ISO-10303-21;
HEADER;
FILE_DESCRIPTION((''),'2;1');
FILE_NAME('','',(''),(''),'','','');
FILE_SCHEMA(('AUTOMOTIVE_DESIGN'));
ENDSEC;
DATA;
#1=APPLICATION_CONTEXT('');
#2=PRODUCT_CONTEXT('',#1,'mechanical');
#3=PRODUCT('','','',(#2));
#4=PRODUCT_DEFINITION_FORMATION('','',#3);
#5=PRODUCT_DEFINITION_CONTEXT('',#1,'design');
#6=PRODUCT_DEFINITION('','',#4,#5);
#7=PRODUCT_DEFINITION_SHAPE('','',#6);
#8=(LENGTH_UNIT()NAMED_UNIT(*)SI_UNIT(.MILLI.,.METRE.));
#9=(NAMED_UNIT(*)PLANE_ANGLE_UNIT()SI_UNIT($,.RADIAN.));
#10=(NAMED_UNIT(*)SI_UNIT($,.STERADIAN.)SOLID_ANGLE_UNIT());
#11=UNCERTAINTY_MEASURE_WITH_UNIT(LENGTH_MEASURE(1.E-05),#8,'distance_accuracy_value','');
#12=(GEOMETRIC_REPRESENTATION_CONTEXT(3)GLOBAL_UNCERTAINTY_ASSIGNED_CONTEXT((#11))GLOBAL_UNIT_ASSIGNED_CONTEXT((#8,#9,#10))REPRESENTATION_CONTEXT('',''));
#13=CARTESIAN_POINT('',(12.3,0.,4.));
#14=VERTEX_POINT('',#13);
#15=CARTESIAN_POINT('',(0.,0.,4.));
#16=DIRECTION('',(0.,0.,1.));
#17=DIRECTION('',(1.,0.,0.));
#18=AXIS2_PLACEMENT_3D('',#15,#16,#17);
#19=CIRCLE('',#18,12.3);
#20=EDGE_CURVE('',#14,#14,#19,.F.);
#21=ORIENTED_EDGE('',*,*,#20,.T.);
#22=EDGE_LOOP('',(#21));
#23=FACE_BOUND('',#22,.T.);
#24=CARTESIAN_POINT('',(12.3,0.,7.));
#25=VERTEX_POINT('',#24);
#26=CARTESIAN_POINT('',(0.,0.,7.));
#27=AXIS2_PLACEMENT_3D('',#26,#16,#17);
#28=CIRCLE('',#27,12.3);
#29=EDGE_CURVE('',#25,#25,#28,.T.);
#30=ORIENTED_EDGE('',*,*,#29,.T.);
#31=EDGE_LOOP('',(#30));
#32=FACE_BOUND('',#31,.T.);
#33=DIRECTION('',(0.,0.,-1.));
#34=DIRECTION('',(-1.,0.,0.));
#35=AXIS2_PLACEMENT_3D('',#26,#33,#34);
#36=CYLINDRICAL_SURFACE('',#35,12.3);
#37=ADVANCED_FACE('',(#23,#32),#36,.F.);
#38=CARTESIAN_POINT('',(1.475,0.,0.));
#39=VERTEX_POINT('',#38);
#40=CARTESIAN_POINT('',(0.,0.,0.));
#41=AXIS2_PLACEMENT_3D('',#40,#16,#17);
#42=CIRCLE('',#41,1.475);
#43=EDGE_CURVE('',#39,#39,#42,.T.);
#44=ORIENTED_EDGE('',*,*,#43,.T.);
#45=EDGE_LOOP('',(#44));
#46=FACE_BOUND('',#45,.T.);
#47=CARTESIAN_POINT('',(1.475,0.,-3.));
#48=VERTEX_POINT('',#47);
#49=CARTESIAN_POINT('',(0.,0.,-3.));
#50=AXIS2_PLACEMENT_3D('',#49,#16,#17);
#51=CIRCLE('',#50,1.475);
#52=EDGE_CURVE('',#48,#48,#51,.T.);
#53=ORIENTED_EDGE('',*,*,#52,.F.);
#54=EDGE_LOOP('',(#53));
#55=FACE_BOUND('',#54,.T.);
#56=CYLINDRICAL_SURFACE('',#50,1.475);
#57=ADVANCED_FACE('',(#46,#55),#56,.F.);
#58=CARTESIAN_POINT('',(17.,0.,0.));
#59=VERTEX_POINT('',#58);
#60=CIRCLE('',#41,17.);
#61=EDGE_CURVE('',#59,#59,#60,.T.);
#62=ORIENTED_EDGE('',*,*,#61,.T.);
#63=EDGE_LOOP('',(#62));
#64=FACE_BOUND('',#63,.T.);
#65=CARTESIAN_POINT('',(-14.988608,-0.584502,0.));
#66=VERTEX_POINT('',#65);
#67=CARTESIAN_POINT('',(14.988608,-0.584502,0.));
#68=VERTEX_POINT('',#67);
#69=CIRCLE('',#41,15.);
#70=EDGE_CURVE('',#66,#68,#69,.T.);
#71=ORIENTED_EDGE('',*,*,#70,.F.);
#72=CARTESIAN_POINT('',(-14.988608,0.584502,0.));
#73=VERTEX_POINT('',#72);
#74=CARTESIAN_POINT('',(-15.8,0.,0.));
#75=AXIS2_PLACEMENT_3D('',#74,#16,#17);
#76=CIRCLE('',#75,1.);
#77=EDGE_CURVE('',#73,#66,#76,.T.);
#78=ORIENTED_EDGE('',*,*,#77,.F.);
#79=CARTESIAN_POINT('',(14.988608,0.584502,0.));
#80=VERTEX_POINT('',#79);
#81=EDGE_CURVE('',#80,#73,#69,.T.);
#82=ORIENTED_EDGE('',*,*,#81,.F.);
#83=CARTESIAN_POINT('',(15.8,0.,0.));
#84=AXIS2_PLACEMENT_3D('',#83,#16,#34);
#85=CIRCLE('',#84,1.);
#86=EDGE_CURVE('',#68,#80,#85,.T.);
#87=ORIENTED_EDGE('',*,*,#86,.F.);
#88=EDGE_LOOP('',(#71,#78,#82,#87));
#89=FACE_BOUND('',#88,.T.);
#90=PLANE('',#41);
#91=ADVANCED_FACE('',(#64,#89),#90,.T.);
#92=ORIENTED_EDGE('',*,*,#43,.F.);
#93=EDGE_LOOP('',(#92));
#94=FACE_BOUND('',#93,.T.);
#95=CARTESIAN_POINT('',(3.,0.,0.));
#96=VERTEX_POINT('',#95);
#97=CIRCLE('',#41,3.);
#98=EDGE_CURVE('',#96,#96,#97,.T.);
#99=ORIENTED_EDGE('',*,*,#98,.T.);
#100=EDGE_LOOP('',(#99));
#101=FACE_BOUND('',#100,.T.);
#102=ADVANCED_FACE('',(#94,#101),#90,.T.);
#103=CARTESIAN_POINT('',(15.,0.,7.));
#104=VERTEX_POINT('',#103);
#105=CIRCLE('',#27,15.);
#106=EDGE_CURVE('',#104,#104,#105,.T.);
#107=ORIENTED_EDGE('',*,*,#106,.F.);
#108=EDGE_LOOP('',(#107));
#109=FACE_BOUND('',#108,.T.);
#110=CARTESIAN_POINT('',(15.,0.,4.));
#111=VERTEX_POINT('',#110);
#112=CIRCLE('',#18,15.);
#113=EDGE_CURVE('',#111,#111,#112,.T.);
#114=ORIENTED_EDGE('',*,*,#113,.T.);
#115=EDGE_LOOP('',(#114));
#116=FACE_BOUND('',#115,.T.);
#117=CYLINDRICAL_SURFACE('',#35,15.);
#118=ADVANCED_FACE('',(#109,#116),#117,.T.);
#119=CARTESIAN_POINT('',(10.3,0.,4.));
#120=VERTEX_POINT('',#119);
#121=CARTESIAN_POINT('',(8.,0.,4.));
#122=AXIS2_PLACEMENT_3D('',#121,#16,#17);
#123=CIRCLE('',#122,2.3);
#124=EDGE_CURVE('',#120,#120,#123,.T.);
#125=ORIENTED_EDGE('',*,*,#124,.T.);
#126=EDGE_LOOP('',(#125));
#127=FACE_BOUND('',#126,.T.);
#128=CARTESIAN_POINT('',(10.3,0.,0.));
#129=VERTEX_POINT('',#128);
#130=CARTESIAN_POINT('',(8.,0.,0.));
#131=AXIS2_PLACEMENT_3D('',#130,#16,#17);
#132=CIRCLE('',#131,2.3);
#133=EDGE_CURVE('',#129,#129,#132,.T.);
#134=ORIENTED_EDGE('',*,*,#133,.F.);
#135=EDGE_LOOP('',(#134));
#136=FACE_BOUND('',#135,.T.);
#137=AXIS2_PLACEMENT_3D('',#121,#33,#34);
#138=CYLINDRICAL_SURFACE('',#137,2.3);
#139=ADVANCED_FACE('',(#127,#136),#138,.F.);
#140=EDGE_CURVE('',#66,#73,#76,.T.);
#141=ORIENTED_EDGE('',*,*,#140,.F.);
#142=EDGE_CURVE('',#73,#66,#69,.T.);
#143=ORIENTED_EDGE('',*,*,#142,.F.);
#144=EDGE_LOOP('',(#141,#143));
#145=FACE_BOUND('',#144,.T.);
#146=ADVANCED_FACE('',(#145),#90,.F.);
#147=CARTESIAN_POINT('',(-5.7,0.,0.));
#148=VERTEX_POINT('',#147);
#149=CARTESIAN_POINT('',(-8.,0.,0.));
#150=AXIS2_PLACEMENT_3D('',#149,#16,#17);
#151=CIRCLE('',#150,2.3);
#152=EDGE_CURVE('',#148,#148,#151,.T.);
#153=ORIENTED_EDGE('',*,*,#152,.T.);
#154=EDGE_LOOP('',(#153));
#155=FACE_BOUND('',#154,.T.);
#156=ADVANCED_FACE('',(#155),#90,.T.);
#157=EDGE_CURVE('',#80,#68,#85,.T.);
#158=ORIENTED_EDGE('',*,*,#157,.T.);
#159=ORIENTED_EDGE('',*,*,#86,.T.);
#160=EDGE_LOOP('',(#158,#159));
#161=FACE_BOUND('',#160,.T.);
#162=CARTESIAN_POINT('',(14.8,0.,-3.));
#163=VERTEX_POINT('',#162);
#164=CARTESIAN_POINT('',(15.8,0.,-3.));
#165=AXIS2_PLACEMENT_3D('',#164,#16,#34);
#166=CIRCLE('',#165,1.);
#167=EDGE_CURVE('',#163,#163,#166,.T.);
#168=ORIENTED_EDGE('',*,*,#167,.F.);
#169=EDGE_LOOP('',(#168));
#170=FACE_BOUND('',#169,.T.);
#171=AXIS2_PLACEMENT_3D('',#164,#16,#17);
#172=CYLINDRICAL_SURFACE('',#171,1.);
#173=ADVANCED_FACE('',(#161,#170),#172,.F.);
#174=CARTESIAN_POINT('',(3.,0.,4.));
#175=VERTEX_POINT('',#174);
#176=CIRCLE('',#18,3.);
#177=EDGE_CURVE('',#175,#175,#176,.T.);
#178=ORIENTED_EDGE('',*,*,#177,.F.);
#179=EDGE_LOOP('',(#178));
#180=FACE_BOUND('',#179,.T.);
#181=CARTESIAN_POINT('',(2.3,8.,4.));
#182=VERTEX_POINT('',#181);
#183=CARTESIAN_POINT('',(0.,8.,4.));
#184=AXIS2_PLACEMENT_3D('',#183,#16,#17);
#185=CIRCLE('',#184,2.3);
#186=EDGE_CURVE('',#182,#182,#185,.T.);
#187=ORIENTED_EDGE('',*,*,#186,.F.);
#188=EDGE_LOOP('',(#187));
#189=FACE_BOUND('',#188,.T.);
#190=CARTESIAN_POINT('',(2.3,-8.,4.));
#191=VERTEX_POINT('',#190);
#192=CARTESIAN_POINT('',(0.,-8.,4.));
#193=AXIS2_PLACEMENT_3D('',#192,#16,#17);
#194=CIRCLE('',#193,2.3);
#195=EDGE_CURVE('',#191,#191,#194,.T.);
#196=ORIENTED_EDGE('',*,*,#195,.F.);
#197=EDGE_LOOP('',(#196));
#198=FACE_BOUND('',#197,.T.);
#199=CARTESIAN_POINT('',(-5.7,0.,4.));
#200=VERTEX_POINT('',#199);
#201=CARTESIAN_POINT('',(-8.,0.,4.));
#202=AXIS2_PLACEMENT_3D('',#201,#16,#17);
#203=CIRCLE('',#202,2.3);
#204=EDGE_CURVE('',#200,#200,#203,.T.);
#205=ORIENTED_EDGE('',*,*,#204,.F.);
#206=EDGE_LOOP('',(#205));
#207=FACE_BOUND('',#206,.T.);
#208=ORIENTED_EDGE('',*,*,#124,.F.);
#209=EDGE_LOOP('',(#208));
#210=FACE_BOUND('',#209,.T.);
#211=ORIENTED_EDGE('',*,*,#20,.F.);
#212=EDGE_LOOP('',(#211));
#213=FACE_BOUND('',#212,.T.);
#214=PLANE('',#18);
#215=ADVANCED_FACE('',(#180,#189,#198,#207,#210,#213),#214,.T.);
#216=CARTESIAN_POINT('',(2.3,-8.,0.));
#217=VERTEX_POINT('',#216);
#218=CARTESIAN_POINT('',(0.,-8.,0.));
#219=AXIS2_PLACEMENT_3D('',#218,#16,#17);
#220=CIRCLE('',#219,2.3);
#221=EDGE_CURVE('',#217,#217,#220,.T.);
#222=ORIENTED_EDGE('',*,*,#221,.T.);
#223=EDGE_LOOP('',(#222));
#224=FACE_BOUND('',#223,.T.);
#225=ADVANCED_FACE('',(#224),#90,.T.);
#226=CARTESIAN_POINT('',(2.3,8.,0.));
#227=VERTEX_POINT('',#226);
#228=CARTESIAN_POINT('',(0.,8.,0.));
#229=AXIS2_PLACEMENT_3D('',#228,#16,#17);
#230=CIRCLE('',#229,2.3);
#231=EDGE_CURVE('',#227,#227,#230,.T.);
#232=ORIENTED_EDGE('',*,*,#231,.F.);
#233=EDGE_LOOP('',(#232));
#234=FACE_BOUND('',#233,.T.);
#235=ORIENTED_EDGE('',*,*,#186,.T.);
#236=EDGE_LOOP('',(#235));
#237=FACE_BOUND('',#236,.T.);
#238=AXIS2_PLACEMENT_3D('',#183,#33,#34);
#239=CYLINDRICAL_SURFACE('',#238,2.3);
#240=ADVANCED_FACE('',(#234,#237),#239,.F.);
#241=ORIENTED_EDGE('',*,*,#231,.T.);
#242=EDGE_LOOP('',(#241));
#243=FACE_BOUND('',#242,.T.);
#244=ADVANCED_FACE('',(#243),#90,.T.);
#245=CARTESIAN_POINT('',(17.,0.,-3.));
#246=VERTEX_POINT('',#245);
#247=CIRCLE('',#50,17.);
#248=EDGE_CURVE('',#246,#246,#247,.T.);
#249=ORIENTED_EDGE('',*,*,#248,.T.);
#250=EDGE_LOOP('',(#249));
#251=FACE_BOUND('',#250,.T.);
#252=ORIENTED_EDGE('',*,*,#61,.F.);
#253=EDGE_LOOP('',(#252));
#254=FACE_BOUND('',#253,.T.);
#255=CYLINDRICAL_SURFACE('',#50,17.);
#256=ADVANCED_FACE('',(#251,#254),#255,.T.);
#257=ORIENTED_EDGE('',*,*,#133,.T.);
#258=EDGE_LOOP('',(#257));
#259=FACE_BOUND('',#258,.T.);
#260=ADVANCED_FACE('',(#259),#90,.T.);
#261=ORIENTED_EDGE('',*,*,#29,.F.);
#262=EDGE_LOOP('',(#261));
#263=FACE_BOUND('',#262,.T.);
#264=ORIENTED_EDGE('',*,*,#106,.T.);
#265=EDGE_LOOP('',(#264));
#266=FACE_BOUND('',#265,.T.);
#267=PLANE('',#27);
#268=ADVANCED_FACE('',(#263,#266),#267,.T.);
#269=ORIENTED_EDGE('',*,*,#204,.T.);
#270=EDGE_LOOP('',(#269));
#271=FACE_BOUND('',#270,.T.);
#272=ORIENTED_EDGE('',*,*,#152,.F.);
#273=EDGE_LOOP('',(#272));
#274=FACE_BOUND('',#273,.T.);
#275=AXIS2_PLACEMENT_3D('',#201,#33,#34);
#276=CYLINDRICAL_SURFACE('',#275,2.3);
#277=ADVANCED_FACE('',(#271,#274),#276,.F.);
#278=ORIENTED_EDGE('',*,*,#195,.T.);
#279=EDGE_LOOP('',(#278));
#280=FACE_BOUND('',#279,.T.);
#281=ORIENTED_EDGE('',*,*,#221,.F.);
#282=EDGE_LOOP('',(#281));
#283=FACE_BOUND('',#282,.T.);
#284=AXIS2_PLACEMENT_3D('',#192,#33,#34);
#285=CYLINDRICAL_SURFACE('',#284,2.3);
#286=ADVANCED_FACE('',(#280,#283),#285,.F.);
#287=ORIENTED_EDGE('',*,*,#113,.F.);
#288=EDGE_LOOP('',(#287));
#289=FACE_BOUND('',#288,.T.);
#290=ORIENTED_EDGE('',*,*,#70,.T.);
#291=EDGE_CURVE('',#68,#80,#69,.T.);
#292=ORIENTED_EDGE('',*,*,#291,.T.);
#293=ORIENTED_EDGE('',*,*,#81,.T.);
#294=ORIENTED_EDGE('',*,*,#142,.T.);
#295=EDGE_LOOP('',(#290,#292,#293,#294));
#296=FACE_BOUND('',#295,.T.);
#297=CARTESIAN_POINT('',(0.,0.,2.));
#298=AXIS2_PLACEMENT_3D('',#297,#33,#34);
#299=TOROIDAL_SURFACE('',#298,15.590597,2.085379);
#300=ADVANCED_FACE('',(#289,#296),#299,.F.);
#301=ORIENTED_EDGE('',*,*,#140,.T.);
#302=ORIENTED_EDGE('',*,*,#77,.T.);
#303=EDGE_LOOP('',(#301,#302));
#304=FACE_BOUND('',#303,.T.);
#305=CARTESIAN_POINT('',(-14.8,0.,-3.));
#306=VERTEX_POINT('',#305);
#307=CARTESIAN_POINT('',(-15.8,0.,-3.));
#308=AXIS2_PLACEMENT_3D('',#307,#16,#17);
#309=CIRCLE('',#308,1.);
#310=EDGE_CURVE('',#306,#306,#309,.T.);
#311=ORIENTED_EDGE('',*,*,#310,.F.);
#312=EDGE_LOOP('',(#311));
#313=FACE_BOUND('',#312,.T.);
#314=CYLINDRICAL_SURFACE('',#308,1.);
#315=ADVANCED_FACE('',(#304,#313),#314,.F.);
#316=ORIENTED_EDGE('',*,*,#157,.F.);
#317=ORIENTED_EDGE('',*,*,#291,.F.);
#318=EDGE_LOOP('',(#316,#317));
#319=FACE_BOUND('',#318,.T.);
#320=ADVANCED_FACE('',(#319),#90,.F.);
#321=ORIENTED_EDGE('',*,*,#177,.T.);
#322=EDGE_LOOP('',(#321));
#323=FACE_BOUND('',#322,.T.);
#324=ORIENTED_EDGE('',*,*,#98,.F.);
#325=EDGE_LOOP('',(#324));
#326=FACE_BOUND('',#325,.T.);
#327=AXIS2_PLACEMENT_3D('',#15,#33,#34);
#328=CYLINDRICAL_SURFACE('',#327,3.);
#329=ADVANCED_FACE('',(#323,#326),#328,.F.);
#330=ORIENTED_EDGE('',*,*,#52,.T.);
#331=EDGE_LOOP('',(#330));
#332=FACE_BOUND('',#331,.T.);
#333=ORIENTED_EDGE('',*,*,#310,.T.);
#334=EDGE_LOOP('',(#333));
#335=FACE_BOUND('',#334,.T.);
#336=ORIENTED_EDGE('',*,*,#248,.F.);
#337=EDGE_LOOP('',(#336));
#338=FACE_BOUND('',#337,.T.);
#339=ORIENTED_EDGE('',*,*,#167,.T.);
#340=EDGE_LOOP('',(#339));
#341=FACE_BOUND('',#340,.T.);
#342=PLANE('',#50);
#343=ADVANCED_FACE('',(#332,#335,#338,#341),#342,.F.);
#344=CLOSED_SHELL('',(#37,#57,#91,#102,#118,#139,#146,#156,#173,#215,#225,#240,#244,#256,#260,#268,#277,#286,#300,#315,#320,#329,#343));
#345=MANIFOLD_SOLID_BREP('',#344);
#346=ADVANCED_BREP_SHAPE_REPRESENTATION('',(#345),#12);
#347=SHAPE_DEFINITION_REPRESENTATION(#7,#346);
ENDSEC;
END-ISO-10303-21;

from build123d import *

# Parameters (mm, degrees)
SKETCH2_R           = 15
SKETCH2_R_2         = 3
SKETCH2_R_3         = 2.3
BOSS_EXTRUDE1_DEPTH = 4
SKETCH3_R           = 17
SKETCH3_R_2         = 1.475
SKETCH3_R_3         = 1
BOSS_EXTRUDE2_DEPTH = 3
SKETCH8_R           = 15
SKETCH8_R_2         = 12.3
BOSS_EXTRUDE5_DEPTH = 3


with BuildPart() as part:
    # Sketch2 → Boss-Extrude1 (new body)
    with BuildSketch(Plane.XY):
        Circle(SKETCH2_R)
        Circle(SKETCH2_R_2, mode=Mode.SUBTRACT)
        with Locations((-8, 0)):
            Circle(SKETCH2_R_3, mode=Mode.SUBTRACT)
        with Locations((0, 8)):
            Circle(SKETCH2_R_3, mode=Mode.SUBTRACT)
        with Locations((8, 0)):
            Circle(SKETCH2_R_3, mode=Mode.SUBTRACT)
        with Locations((0, -8)):
            Circle(SKETCH2_R_3, mode=Mode.SUBTRACT)
    extrude(amount=BOSS_EXTRUDE1_DEPTH)

    # Sketch3 → Boss-Extrude2 (add)
    with BuildSketch(Plane.XY):
        Circle(SKETCH3_R)
        Circle(SKETCH3_R_2, mode=Mode.SUBTRACT)
        with Locations((-15.8, 0)):
            Circle(SKETCH3_R_3, mode=Mode.SUBTRACT)
        with Locations((15.8, 0)):
            Circle(SKETCH3_R_3, mode=Mode.SUBTRACT)
    extrude(amount=-BOSS_EXTRUDE2_DEPTH)

    # Sketch7 → Cut-Revolve1 (revolve, cut)
    with BuildSketch(Plane(origin=(0, 0, 0), x_dir=(0, 0, -1), z_dir=(1, 0, 0))):
        with BuildLine():
            Line((-4, 15), (0, 15))
            ThreePointArc((0, 15), (-2, 13.505217823), (-4, 15))
        make_face()
    revolve(axis=Axis((0, 0, 0), (0, 0, 1)), mode=Mode.SUBTRACT)

    # Sketch8 → Boss-Extrude5 (add)
    with BuildSketch(Plane.XY.offset(4)):
        Circle(SKETCH8_R)
        Circle(SKETCH8_R_2, mode=Mode.SUBTRACT)
    extrude(amount=BOSS_EXTRUDE5_DEPTH)


solid = part.part
